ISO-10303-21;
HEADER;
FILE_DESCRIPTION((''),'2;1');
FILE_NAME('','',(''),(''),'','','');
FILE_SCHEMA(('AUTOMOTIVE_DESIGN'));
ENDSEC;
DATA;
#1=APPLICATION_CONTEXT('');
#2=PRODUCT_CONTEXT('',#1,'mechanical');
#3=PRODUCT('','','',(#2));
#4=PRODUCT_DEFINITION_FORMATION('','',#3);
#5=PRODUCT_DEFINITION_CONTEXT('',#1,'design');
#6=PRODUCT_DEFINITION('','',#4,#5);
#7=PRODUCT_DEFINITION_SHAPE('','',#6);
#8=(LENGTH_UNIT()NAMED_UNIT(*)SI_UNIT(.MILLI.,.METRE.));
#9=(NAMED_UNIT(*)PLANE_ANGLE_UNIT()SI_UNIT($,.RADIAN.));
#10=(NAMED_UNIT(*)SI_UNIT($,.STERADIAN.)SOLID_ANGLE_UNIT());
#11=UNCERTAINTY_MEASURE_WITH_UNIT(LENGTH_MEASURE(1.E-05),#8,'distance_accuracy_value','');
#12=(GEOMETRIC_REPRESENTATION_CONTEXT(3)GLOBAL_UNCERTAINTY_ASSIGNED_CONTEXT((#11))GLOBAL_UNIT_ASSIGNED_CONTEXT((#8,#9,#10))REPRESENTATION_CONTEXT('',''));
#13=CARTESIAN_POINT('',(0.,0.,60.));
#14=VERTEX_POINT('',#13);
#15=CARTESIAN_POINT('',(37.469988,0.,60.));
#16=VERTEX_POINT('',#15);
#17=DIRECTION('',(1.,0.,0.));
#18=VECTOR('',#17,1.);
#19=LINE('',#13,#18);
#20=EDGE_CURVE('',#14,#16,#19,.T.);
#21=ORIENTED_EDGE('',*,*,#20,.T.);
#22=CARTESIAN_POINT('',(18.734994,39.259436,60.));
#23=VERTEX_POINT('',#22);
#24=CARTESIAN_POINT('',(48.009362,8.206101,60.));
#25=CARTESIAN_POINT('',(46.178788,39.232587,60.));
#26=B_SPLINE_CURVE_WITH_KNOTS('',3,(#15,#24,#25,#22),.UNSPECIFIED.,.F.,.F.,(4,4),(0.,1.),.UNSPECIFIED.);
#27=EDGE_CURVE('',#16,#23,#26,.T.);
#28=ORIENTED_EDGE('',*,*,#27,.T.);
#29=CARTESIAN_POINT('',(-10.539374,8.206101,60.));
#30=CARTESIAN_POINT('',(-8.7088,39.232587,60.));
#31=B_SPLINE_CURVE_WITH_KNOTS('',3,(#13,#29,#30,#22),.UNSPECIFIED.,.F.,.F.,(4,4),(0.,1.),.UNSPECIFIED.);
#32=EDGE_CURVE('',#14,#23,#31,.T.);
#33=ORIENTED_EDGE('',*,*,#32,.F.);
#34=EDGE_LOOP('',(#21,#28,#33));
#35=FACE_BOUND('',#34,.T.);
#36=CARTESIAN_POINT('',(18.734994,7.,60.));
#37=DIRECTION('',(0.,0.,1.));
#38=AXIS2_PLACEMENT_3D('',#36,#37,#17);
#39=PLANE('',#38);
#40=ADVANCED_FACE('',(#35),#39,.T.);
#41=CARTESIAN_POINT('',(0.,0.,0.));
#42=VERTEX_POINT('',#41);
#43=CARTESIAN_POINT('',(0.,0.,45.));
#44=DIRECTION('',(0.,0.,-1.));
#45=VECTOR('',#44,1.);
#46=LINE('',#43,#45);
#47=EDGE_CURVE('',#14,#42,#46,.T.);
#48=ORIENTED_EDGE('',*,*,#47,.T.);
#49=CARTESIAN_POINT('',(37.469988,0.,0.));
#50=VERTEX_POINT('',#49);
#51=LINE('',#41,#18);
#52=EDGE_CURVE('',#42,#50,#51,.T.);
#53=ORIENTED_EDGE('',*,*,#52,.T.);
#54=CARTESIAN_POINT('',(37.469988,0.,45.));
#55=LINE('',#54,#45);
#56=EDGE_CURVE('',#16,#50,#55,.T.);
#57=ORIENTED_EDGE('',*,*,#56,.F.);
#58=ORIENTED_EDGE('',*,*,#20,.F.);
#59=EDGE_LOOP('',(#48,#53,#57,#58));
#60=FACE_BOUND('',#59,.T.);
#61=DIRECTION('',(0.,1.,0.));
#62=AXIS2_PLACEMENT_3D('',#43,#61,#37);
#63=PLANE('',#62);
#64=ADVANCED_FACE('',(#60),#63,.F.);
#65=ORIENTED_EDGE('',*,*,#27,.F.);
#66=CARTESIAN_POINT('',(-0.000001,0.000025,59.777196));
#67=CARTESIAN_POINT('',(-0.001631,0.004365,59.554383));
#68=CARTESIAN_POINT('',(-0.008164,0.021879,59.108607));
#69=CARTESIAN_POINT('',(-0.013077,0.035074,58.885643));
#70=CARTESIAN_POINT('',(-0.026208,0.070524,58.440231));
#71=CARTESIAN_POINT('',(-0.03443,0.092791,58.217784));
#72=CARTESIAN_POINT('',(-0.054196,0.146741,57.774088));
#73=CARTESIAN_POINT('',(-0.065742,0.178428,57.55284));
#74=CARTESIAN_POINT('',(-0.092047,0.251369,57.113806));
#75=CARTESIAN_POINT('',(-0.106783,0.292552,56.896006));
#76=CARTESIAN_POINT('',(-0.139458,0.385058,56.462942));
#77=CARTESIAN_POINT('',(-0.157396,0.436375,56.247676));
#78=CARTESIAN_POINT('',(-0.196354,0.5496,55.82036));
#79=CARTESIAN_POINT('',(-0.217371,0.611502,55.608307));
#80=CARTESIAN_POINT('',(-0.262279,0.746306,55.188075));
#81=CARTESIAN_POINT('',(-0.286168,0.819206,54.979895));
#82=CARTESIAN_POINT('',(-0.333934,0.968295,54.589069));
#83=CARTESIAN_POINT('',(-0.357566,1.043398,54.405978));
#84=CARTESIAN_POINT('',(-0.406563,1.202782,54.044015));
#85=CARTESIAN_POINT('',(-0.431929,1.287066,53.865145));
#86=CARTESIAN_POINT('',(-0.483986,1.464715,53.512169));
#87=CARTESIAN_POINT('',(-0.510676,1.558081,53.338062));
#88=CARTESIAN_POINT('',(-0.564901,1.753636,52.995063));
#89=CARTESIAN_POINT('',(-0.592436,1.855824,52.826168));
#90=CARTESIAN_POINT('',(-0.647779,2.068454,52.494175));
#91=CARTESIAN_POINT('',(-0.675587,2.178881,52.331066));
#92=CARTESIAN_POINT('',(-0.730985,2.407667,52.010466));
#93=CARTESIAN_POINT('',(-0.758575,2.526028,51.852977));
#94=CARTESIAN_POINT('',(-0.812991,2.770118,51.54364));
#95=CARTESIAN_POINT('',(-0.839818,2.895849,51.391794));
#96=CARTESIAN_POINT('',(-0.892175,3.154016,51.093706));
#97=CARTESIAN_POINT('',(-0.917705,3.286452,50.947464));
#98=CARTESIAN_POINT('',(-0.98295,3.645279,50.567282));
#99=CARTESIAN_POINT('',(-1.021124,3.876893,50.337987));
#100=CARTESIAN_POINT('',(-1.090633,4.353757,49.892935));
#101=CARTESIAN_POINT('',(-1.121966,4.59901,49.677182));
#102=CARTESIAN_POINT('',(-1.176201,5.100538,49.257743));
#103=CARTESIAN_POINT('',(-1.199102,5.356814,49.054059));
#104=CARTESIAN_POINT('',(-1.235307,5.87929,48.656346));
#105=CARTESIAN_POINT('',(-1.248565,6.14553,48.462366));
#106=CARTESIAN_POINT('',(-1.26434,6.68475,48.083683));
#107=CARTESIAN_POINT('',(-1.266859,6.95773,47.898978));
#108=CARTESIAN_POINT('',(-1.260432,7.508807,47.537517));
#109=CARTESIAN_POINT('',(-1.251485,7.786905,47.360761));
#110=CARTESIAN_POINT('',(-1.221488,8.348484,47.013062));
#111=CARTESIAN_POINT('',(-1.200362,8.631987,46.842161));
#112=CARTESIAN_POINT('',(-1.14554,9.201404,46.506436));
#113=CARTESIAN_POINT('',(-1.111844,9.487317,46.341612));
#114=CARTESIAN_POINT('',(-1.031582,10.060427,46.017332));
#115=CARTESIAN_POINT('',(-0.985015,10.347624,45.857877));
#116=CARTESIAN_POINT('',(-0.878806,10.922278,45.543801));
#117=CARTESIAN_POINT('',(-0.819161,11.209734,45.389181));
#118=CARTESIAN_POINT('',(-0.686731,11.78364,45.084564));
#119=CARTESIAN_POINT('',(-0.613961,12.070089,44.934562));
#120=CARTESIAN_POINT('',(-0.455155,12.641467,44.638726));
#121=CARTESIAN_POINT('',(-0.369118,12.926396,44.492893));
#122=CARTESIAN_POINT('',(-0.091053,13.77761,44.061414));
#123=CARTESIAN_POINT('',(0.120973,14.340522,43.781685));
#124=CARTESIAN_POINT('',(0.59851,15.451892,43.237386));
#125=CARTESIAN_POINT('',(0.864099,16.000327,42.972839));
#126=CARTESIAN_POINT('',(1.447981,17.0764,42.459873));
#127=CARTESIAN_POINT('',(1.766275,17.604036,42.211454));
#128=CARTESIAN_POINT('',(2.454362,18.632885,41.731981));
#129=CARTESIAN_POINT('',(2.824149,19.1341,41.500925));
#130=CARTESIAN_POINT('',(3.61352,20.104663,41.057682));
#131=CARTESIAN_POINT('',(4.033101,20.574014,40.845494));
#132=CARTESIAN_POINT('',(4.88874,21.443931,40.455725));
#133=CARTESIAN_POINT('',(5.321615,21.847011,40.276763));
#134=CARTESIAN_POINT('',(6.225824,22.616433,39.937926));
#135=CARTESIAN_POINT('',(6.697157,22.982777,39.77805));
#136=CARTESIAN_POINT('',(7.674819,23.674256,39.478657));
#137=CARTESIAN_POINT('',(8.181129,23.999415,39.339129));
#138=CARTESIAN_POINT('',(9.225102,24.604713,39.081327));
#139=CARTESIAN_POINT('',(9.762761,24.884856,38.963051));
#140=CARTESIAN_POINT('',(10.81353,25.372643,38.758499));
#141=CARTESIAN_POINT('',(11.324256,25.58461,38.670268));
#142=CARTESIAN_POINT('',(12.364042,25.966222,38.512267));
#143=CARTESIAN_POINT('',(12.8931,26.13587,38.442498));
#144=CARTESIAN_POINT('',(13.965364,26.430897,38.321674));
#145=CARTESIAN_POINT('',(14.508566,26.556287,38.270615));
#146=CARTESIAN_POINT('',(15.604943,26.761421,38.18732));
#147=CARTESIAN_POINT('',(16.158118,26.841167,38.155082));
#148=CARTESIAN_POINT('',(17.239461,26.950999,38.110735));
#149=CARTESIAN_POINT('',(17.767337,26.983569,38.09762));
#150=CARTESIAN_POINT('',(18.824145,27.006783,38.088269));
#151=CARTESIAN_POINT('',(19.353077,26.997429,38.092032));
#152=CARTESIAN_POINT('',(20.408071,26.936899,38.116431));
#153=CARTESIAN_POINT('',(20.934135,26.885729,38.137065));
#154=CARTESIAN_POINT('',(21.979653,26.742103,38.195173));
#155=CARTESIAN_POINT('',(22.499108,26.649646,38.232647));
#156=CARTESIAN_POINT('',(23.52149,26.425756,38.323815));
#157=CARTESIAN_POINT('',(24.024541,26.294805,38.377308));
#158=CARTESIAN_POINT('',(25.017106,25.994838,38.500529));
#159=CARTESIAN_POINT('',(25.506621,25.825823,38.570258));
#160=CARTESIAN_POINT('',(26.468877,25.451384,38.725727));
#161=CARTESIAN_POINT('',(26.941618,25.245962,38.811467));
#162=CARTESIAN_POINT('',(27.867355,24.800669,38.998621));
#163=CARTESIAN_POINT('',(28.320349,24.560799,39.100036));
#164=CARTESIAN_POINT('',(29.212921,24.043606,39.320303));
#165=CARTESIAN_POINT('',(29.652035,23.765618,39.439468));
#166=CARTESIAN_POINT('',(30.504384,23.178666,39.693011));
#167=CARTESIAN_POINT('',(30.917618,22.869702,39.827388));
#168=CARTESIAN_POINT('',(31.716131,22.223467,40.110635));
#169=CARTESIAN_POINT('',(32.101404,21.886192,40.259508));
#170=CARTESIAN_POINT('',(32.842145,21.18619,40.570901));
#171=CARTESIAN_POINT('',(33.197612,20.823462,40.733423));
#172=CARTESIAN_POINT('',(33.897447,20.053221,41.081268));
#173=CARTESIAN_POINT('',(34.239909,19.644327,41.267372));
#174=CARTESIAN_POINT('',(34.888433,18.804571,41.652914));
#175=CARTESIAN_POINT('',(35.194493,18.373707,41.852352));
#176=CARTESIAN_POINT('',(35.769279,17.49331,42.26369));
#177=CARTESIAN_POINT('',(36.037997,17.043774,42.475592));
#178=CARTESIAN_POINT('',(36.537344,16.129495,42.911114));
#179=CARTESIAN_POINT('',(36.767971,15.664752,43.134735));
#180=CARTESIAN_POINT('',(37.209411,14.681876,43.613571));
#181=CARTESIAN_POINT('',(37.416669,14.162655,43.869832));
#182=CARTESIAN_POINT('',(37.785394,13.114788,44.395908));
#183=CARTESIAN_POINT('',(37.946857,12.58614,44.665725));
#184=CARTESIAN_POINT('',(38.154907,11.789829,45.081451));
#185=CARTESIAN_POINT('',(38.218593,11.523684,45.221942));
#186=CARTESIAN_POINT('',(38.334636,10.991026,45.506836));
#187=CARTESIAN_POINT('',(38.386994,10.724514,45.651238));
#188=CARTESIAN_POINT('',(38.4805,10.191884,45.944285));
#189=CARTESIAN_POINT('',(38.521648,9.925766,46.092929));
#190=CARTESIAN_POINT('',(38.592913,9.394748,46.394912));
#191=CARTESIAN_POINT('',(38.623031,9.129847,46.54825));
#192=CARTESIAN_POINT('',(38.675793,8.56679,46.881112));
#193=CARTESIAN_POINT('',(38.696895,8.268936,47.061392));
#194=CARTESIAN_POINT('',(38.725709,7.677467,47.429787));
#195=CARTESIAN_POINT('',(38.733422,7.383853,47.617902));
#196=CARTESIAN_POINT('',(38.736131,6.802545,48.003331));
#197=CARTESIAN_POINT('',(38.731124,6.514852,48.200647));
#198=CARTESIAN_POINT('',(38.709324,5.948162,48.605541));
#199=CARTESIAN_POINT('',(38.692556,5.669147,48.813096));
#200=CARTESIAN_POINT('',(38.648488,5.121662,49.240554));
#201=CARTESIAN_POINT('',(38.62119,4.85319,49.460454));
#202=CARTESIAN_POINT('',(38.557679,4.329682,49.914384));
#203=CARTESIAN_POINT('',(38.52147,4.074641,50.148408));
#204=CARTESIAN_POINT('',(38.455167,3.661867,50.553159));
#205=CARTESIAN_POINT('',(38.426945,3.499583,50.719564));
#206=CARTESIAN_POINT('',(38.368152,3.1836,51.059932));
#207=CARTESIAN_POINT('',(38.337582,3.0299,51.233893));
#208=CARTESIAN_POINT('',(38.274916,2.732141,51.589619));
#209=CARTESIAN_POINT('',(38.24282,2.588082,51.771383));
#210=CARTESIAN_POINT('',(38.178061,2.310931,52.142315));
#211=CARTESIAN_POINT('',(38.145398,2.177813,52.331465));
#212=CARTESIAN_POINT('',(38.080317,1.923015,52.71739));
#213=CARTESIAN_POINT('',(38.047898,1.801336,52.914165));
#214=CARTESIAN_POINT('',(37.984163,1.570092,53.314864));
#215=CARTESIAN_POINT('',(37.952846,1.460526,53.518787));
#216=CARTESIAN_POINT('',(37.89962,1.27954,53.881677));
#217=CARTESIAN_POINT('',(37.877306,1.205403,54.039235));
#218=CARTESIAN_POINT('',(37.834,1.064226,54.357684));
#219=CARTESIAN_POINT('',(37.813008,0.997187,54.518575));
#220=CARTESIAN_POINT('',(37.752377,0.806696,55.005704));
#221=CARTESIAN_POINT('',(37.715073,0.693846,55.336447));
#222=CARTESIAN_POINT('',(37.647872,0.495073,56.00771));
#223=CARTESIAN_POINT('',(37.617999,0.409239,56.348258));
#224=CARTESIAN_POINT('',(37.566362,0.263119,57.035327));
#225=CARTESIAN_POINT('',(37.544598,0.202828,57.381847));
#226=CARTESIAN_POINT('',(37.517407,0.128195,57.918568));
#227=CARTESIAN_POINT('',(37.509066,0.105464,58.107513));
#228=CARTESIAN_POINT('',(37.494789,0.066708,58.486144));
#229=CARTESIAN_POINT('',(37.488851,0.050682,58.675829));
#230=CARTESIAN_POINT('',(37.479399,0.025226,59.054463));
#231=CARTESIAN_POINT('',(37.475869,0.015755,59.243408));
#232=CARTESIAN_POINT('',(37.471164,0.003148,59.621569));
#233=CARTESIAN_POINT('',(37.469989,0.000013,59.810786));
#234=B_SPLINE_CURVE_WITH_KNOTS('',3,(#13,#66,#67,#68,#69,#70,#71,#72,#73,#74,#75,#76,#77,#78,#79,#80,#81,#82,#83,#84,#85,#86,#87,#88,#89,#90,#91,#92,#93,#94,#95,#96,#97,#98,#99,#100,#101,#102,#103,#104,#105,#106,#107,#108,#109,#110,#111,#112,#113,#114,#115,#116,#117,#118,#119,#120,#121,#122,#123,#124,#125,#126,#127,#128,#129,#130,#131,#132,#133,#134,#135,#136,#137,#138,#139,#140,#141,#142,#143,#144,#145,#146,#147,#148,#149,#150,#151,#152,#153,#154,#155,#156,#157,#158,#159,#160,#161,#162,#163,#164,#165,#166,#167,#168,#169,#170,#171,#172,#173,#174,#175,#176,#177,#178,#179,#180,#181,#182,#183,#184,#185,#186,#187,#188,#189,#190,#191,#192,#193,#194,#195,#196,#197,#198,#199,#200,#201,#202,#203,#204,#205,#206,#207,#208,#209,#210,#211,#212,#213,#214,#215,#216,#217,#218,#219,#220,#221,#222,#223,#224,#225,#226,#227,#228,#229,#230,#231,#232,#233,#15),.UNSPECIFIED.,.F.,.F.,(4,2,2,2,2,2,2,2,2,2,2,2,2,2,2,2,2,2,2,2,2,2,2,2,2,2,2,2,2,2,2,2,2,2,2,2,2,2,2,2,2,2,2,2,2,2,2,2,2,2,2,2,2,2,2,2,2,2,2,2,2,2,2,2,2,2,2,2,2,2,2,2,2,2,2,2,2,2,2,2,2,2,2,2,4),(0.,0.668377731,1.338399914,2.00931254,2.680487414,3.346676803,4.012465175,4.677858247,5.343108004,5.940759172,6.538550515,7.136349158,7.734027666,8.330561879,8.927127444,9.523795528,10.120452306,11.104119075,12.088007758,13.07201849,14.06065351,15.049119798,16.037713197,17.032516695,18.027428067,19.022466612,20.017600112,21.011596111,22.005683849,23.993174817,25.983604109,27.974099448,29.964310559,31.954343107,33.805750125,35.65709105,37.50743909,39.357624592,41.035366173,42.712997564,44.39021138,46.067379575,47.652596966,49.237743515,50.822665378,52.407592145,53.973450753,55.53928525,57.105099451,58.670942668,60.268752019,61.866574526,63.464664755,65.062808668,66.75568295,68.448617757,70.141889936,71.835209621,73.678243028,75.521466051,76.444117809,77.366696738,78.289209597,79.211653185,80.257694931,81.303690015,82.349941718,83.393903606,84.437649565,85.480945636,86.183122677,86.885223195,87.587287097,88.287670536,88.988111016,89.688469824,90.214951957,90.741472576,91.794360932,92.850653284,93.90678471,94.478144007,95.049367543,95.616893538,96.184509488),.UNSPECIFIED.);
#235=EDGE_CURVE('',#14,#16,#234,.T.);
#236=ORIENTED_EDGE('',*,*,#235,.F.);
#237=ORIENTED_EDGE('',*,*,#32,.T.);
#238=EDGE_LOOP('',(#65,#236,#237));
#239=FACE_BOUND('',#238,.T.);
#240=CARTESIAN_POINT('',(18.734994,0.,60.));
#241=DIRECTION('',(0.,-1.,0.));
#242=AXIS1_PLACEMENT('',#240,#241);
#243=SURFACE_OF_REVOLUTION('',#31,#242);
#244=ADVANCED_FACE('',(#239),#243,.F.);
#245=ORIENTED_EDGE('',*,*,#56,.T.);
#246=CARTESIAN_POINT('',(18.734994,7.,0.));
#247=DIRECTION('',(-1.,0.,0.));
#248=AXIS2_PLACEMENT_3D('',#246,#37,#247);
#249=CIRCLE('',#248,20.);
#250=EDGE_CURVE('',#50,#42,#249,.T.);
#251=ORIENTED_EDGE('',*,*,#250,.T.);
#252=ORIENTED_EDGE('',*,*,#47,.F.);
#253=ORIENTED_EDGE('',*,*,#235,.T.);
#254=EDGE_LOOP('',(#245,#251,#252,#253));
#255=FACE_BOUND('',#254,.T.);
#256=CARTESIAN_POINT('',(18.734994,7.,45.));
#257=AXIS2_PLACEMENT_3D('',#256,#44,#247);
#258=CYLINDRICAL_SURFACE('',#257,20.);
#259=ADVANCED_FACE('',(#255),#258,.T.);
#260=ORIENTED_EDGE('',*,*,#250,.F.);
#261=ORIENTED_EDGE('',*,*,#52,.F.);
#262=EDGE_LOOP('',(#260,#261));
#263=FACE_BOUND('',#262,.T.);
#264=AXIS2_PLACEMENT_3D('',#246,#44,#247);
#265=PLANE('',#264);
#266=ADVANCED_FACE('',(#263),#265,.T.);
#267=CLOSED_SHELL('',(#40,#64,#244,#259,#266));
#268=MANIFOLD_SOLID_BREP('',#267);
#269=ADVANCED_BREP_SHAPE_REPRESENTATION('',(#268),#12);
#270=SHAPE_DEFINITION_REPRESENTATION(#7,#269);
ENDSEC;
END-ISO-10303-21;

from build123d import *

# Parameters (mm, degrees)
BOSS_EXTRUDE1_DEPTH = 45
REVOLVE1_ANGLE      = 180
BOSS_EXTRUDE2_DEPTH = 15


with BuildPart() as part:
    # Sketch1 → Boss-Extrude1 (new body)
    with BuildSketch(Plane.XY):
        with BuildLine():
            Line((0, 0), (37.46998799, 0))
            ThreePointArc((37.46998799, 0), (18.734993995, 27), (0, 0))
        make_face()
    extrude(amount=BOSS_EXTRUDE1_DEPTH)



with BuildPart() as body_2:
    # Sketch4 → Revolve1 (revolve)
    with BuildSketch(Plane.XY.offset(60)):
        with BuildLine():
            Line((18.734993995, 0), (18.734993995, 39.259436234))
            add(Edge.make_bspline(
                [(18.734993995, 39.259436234), (46.178787864, 39.232586668), (48.009362148, 8.206101436), (37.46998799, 0)],
                knots=[0, 0, 0, 0, 1, 1, 1, 1], degree=3))
            Line((37.46998799, 0), (18.734993995, 0))
        make_face()
    revolve(axis=Axis((18.734993995, 0, 60), (0, 1, 0)), revolution_arc=REVOLVE1_ANGLE)


with BuildPart() as part_1:
    add(part.part)

    add(body_2.part)  # Boss-Extrude2 merges body 2
    # Sketch5 → Boss-Extrude2 (add)
    with BuildSketch(Plane.XY.offset(45)):
        with BuildLine():
            Line((0, 0), (37.46998799, 0))
            ThreePointArc((37.46998799, 0), (18.734993995, 27), (0, 0))
        make_face()
    extrude(amount=BOSS_EXTRUDE2_DEPTH)


solid = part_1.part
